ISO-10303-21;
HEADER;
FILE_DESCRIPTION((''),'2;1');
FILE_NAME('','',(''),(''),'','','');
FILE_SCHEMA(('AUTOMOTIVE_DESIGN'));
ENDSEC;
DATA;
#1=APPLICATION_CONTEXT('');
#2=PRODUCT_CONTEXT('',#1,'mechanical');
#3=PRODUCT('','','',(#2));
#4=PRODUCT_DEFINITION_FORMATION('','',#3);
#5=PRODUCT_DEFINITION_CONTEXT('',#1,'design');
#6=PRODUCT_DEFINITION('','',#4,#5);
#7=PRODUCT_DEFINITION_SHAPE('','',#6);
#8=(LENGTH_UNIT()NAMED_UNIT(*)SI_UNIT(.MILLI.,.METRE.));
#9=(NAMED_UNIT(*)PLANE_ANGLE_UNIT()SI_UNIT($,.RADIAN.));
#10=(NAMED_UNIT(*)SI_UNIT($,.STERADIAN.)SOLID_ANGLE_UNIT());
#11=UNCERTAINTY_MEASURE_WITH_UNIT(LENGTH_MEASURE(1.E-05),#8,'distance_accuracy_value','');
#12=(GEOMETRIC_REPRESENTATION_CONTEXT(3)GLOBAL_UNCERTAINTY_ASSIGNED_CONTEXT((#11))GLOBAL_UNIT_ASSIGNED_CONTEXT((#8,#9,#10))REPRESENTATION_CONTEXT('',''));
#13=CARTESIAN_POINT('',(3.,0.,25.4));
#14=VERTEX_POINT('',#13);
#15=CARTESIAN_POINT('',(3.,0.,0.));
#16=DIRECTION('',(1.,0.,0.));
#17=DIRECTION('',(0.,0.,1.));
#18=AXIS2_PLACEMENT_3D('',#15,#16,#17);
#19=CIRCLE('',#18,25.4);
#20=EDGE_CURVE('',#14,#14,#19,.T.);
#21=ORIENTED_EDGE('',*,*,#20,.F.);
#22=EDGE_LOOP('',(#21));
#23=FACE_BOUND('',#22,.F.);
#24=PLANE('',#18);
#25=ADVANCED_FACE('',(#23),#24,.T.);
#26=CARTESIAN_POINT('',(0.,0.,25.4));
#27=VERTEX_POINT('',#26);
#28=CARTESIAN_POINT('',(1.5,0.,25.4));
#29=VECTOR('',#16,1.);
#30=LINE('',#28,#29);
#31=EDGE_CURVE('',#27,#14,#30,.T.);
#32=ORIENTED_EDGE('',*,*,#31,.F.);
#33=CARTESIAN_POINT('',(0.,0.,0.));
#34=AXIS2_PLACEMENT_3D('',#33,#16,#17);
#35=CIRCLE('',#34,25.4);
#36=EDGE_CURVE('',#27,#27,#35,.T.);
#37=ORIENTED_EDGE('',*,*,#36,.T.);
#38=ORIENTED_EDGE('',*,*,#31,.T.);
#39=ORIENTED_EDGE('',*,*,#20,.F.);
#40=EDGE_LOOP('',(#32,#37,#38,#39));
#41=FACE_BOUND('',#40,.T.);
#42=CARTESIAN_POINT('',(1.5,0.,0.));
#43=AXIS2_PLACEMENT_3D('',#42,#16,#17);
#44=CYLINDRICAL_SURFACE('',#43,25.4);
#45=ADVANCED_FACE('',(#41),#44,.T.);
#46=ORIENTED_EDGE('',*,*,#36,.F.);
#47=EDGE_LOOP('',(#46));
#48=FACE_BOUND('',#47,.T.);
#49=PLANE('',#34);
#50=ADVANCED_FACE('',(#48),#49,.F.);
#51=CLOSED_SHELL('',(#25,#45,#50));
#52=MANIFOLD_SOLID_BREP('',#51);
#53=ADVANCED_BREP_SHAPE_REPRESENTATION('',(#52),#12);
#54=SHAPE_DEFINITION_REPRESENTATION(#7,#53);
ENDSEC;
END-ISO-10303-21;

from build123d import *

# Parameters (mm, degrees)
SKETCH_1_W = 3
SKETCH_1_H = 25.4


with BuildPart() as part:
    # 草图1 → 旋转2 (revolve)
    with BuildSketch(Plane.XY, mode=Mode.PRIVATE) as revolve_2_sk:
        with Locations((1.5, 12.7)):
            Rectangle(SKETCH_1_W, SKETCH_1_H)
    revolve(revolve_2_sk.sketch.rotate(Axis((0, 0, 0), (1, 0, 0)), 90), axis=Axis((0, 0, 0), (1, 0, 0)))  # turned: the seam where the file's is


solid = part.part
